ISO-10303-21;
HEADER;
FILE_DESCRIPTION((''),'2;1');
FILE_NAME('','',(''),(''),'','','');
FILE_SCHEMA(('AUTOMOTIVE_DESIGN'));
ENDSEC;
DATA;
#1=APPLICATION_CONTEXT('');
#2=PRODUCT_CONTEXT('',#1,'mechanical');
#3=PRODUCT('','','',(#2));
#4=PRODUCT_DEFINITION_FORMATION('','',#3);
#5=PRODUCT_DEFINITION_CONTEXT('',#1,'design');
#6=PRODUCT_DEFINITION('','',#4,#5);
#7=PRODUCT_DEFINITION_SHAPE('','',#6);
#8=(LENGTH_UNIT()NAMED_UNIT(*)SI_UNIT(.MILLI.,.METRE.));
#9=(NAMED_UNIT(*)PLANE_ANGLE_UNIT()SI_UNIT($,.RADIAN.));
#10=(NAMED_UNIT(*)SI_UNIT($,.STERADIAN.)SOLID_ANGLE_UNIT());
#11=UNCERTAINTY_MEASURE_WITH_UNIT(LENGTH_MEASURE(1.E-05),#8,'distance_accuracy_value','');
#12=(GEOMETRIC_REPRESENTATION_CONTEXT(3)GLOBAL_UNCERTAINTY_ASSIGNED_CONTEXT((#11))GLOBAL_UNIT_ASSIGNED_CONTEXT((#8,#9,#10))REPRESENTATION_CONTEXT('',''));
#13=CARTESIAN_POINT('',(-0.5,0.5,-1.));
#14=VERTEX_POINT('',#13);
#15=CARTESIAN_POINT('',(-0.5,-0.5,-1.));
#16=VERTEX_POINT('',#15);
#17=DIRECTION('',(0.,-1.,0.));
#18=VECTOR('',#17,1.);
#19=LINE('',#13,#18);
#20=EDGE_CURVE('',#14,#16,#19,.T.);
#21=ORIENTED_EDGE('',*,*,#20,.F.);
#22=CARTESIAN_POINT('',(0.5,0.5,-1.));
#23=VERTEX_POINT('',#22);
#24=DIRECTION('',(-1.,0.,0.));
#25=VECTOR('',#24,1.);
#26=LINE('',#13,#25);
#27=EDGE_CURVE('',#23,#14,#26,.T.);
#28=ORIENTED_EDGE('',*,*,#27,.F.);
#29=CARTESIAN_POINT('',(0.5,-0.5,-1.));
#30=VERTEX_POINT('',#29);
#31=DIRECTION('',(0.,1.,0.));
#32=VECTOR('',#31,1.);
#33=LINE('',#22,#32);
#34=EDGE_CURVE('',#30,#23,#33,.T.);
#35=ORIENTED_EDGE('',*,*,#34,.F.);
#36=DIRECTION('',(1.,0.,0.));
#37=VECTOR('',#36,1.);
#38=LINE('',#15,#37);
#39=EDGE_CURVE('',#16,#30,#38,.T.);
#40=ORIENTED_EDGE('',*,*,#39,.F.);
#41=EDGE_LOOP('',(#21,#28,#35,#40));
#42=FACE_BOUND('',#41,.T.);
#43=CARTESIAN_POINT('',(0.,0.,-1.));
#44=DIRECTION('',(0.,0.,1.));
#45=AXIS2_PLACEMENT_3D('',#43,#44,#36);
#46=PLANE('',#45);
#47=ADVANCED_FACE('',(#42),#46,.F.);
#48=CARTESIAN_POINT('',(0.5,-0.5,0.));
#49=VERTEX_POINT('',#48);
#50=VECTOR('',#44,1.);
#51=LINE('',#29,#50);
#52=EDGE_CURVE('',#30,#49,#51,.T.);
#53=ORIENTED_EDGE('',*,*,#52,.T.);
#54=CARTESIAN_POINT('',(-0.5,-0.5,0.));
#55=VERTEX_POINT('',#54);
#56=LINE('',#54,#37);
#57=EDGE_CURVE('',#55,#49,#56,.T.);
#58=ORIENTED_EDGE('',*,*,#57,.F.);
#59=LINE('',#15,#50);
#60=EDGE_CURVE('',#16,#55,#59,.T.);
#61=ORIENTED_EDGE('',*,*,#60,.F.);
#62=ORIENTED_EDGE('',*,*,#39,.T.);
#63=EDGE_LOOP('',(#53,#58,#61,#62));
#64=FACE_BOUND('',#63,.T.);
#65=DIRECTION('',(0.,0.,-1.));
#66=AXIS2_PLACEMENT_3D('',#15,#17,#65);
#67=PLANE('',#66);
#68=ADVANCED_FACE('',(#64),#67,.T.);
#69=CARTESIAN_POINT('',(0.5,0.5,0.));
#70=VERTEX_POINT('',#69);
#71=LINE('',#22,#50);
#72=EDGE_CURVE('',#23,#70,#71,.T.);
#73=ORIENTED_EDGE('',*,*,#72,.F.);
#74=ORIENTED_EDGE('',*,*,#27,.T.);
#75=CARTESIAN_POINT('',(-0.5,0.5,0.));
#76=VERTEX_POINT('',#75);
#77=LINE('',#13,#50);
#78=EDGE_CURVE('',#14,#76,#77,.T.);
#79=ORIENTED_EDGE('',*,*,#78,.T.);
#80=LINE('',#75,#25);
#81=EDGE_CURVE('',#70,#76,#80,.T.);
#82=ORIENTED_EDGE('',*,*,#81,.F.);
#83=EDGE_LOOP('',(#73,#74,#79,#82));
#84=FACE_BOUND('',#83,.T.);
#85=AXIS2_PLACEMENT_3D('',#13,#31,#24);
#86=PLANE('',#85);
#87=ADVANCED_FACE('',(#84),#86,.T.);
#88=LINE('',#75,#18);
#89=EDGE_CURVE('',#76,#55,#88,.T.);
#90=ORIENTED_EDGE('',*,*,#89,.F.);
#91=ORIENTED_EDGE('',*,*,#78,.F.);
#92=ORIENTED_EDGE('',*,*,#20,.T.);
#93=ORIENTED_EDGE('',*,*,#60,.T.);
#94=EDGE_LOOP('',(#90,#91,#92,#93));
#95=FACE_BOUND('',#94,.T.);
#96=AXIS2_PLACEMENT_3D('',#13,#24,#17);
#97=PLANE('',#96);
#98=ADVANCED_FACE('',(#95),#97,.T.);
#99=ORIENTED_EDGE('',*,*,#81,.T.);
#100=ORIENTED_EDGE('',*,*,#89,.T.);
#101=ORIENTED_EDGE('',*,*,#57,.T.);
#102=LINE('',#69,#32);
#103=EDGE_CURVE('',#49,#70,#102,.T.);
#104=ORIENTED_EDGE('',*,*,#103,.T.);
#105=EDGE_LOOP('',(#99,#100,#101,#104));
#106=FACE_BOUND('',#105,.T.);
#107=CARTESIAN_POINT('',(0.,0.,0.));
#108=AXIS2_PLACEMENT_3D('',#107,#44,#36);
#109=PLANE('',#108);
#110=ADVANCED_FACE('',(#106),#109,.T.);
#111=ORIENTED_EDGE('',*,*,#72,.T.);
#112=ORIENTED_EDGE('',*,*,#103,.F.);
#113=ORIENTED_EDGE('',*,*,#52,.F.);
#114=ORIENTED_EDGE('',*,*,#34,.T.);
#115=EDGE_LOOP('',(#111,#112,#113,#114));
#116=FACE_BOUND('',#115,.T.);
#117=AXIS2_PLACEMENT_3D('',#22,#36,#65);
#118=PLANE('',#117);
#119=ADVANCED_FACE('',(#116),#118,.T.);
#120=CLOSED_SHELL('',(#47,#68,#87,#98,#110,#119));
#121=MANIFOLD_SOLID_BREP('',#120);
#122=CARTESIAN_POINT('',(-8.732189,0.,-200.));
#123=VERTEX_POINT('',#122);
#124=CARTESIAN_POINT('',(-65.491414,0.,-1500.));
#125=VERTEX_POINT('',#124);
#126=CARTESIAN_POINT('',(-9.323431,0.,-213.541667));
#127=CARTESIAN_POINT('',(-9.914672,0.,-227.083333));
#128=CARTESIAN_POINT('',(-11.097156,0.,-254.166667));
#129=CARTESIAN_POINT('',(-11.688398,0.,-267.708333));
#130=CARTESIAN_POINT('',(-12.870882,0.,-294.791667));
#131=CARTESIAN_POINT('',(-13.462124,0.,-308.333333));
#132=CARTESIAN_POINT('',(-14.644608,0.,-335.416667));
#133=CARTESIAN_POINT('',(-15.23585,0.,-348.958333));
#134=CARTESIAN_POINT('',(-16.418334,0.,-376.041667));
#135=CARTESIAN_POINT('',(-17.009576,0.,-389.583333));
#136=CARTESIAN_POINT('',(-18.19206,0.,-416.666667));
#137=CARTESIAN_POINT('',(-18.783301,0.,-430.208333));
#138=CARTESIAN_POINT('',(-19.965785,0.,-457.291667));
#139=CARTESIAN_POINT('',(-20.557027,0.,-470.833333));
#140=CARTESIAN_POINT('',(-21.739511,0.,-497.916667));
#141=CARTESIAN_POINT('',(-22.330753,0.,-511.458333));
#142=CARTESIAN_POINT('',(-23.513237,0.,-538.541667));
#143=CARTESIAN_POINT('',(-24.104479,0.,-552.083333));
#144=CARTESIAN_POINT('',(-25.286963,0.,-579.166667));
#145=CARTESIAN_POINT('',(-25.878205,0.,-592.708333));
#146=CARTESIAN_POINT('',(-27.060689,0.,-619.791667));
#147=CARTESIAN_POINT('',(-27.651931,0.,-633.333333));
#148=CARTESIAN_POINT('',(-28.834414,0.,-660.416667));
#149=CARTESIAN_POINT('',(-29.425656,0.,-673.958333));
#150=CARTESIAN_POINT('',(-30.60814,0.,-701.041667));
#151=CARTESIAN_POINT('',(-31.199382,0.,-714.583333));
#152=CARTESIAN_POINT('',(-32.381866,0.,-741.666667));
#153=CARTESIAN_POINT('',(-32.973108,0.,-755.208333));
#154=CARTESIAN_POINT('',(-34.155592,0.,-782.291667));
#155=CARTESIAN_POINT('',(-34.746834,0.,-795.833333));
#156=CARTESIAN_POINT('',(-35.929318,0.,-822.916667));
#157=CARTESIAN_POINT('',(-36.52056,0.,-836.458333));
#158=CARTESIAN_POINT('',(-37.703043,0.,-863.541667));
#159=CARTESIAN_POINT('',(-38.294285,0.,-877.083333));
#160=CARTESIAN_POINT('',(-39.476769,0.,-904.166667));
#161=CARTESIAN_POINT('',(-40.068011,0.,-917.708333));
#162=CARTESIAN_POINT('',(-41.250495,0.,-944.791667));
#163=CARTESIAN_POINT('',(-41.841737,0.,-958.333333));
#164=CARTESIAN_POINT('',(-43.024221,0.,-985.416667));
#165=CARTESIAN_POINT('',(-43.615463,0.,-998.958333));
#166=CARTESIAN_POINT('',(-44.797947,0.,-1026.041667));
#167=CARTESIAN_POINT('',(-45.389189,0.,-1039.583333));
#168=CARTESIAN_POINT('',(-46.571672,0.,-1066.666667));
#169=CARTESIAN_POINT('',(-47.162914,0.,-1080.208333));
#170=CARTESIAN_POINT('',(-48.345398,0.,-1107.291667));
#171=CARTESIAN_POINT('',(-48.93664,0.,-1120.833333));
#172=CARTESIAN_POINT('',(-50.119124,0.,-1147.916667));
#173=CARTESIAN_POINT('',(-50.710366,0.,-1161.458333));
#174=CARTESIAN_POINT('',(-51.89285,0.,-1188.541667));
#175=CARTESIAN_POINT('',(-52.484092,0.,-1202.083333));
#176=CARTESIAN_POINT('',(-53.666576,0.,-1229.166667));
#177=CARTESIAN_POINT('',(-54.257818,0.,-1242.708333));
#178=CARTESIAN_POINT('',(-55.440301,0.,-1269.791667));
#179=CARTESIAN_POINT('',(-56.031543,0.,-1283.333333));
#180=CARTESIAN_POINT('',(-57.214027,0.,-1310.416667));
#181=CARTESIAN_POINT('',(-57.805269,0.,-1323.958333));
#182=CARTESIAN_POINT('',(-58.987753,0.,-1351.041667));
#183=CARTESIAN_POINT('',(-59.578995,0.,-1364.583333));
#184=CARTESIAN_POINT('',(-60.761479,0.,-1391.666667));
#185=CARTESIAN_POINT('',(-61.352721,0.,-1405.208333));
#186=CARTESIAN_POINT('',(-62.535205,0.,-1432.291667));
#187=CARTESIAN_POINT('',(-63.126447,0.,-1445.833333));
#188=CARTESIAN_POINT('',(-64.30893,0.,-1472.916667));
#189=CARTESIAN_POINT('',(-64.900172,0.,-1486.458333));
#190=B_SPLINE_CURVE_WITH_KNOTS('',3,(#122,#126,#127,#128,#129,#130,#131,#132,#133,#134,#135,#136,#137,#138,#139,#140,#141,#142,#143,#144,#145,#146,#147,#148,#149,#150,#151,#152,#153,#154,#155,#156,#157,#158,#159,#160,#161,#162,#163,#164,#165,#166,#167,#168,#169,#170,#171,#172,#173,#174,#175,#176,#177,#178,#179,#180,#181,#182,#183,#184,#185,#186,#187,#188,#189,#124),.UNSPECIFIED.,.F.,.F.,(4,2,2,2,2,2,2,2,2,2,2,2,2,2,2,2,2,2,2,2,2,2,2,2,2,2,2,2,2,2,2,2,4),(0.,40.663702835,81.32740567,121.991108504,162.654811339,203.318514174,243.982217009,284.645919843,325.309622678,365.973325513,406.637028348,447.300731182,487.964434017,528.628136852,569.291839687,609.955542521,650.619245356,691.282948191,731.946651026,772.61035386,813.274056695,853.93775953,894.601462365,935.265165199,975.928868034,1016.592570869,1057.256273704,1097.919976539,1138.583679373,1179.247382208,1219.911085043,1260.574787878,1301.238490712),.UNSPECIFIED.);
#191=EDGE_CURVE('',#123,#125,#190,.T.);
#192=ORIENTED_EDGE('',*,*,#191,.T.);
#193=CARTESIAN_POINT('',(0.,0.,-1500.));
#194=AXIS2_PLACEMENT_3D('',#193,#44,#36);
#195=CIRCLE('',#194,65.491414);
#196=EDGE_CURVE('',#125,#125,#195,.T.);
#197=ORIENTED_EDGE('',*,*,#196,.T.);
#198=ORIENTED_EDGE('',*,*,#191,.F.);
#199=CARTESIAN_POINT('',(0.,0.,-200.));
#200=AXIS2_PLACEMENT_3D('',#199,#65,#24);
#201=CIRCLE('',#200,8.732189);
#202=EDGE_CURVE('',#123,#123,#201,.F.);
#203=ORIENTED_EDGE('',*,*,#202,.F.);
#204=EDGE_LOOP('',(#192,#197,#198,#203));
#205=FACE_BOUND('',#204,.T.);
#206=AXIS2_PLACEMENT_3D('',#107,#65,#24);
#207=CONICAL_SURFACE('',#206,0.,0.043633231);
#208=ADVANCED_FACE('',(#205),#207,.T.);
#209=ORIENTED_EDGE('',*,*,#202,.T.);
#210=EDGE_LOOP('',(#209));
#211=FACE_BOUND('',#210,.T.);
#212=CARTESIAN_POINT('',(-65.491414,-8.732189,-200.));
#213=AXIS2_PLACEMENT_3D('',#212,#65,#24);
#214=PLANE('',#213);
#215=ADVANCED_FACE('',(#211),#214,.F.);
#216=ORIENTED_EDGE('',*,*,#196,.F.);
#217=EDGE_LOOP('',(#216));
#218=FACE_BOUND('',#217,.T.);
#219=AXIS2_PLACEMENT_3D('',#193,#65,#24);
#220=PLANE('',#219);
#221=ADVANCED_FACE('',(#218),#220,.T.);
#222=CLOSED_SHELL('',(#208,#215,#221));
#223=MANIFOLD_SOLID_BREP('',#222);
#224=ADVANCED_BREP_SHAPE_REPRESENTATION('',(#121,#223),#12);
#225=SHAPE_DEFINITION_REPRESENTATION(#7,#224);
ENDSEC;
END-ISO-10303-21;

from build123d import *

# Parameters (mm, degrees)
CUT_EXTRUDE1_DEPTH      = 1503.856696665
CUT_EXTRUDE1_DEPTH_BACK = 1503.856696665
SKETCH4_W               = 1
SKETCH4_H               = 1
BOSS_EXTRUDE1_DEPTH     = 1


with BuildPart() as part:
    # Sketch1 → Revolve1 (revolve)
    with BuildSketch(Plane(origin=(0, 0, 0), x_dir=(1, 0, 0), z_dir=(0, 1, 0)), mode=Mode.PRIVATE) as revolve1_sk:
        Polygon((0, 0), (0, 1500), (65.491414363, 1500), align=None)
    revolve(revolve1_sk.sketch.rotate(Axis((0, 0, 0), (0, 0, -1)), 180), axis=Axis((0, 0, 0), (0, 0, -1)))

    # Sketch2 → Cut-Extrude1 (cut, two sides: drawn at the far end of the back side and taken through both)
    with BuildSketch(Plane(origin=(0, 0, 0), x_dir=(0, 0, -1), z_dir=(1, 0, 0)).offset(-CUT_EXTRUDE1_DEPTH_BACK)):
        Polygon((0, 0), (200, -8.732188582), (200, 8.732188582), align=None)
    extrude(amount=CUT_EXTRUDE1_DEPTH + CUT_EXTRUDE1_DEPTH_BACK, mode=Mode.SUBTRACT)


with BuildPart() as body_2:
    # Sketch4 → Boss-Extrude1 (new body)
    with BuildSketch(Plane.XY):
        Rectangle(SKETCH4_W, SKETCH4_H)
    extrude(amount=-BOSS_EXTRUDE1_DEPTH)


solid = Compound([part.part, body_2.part])
